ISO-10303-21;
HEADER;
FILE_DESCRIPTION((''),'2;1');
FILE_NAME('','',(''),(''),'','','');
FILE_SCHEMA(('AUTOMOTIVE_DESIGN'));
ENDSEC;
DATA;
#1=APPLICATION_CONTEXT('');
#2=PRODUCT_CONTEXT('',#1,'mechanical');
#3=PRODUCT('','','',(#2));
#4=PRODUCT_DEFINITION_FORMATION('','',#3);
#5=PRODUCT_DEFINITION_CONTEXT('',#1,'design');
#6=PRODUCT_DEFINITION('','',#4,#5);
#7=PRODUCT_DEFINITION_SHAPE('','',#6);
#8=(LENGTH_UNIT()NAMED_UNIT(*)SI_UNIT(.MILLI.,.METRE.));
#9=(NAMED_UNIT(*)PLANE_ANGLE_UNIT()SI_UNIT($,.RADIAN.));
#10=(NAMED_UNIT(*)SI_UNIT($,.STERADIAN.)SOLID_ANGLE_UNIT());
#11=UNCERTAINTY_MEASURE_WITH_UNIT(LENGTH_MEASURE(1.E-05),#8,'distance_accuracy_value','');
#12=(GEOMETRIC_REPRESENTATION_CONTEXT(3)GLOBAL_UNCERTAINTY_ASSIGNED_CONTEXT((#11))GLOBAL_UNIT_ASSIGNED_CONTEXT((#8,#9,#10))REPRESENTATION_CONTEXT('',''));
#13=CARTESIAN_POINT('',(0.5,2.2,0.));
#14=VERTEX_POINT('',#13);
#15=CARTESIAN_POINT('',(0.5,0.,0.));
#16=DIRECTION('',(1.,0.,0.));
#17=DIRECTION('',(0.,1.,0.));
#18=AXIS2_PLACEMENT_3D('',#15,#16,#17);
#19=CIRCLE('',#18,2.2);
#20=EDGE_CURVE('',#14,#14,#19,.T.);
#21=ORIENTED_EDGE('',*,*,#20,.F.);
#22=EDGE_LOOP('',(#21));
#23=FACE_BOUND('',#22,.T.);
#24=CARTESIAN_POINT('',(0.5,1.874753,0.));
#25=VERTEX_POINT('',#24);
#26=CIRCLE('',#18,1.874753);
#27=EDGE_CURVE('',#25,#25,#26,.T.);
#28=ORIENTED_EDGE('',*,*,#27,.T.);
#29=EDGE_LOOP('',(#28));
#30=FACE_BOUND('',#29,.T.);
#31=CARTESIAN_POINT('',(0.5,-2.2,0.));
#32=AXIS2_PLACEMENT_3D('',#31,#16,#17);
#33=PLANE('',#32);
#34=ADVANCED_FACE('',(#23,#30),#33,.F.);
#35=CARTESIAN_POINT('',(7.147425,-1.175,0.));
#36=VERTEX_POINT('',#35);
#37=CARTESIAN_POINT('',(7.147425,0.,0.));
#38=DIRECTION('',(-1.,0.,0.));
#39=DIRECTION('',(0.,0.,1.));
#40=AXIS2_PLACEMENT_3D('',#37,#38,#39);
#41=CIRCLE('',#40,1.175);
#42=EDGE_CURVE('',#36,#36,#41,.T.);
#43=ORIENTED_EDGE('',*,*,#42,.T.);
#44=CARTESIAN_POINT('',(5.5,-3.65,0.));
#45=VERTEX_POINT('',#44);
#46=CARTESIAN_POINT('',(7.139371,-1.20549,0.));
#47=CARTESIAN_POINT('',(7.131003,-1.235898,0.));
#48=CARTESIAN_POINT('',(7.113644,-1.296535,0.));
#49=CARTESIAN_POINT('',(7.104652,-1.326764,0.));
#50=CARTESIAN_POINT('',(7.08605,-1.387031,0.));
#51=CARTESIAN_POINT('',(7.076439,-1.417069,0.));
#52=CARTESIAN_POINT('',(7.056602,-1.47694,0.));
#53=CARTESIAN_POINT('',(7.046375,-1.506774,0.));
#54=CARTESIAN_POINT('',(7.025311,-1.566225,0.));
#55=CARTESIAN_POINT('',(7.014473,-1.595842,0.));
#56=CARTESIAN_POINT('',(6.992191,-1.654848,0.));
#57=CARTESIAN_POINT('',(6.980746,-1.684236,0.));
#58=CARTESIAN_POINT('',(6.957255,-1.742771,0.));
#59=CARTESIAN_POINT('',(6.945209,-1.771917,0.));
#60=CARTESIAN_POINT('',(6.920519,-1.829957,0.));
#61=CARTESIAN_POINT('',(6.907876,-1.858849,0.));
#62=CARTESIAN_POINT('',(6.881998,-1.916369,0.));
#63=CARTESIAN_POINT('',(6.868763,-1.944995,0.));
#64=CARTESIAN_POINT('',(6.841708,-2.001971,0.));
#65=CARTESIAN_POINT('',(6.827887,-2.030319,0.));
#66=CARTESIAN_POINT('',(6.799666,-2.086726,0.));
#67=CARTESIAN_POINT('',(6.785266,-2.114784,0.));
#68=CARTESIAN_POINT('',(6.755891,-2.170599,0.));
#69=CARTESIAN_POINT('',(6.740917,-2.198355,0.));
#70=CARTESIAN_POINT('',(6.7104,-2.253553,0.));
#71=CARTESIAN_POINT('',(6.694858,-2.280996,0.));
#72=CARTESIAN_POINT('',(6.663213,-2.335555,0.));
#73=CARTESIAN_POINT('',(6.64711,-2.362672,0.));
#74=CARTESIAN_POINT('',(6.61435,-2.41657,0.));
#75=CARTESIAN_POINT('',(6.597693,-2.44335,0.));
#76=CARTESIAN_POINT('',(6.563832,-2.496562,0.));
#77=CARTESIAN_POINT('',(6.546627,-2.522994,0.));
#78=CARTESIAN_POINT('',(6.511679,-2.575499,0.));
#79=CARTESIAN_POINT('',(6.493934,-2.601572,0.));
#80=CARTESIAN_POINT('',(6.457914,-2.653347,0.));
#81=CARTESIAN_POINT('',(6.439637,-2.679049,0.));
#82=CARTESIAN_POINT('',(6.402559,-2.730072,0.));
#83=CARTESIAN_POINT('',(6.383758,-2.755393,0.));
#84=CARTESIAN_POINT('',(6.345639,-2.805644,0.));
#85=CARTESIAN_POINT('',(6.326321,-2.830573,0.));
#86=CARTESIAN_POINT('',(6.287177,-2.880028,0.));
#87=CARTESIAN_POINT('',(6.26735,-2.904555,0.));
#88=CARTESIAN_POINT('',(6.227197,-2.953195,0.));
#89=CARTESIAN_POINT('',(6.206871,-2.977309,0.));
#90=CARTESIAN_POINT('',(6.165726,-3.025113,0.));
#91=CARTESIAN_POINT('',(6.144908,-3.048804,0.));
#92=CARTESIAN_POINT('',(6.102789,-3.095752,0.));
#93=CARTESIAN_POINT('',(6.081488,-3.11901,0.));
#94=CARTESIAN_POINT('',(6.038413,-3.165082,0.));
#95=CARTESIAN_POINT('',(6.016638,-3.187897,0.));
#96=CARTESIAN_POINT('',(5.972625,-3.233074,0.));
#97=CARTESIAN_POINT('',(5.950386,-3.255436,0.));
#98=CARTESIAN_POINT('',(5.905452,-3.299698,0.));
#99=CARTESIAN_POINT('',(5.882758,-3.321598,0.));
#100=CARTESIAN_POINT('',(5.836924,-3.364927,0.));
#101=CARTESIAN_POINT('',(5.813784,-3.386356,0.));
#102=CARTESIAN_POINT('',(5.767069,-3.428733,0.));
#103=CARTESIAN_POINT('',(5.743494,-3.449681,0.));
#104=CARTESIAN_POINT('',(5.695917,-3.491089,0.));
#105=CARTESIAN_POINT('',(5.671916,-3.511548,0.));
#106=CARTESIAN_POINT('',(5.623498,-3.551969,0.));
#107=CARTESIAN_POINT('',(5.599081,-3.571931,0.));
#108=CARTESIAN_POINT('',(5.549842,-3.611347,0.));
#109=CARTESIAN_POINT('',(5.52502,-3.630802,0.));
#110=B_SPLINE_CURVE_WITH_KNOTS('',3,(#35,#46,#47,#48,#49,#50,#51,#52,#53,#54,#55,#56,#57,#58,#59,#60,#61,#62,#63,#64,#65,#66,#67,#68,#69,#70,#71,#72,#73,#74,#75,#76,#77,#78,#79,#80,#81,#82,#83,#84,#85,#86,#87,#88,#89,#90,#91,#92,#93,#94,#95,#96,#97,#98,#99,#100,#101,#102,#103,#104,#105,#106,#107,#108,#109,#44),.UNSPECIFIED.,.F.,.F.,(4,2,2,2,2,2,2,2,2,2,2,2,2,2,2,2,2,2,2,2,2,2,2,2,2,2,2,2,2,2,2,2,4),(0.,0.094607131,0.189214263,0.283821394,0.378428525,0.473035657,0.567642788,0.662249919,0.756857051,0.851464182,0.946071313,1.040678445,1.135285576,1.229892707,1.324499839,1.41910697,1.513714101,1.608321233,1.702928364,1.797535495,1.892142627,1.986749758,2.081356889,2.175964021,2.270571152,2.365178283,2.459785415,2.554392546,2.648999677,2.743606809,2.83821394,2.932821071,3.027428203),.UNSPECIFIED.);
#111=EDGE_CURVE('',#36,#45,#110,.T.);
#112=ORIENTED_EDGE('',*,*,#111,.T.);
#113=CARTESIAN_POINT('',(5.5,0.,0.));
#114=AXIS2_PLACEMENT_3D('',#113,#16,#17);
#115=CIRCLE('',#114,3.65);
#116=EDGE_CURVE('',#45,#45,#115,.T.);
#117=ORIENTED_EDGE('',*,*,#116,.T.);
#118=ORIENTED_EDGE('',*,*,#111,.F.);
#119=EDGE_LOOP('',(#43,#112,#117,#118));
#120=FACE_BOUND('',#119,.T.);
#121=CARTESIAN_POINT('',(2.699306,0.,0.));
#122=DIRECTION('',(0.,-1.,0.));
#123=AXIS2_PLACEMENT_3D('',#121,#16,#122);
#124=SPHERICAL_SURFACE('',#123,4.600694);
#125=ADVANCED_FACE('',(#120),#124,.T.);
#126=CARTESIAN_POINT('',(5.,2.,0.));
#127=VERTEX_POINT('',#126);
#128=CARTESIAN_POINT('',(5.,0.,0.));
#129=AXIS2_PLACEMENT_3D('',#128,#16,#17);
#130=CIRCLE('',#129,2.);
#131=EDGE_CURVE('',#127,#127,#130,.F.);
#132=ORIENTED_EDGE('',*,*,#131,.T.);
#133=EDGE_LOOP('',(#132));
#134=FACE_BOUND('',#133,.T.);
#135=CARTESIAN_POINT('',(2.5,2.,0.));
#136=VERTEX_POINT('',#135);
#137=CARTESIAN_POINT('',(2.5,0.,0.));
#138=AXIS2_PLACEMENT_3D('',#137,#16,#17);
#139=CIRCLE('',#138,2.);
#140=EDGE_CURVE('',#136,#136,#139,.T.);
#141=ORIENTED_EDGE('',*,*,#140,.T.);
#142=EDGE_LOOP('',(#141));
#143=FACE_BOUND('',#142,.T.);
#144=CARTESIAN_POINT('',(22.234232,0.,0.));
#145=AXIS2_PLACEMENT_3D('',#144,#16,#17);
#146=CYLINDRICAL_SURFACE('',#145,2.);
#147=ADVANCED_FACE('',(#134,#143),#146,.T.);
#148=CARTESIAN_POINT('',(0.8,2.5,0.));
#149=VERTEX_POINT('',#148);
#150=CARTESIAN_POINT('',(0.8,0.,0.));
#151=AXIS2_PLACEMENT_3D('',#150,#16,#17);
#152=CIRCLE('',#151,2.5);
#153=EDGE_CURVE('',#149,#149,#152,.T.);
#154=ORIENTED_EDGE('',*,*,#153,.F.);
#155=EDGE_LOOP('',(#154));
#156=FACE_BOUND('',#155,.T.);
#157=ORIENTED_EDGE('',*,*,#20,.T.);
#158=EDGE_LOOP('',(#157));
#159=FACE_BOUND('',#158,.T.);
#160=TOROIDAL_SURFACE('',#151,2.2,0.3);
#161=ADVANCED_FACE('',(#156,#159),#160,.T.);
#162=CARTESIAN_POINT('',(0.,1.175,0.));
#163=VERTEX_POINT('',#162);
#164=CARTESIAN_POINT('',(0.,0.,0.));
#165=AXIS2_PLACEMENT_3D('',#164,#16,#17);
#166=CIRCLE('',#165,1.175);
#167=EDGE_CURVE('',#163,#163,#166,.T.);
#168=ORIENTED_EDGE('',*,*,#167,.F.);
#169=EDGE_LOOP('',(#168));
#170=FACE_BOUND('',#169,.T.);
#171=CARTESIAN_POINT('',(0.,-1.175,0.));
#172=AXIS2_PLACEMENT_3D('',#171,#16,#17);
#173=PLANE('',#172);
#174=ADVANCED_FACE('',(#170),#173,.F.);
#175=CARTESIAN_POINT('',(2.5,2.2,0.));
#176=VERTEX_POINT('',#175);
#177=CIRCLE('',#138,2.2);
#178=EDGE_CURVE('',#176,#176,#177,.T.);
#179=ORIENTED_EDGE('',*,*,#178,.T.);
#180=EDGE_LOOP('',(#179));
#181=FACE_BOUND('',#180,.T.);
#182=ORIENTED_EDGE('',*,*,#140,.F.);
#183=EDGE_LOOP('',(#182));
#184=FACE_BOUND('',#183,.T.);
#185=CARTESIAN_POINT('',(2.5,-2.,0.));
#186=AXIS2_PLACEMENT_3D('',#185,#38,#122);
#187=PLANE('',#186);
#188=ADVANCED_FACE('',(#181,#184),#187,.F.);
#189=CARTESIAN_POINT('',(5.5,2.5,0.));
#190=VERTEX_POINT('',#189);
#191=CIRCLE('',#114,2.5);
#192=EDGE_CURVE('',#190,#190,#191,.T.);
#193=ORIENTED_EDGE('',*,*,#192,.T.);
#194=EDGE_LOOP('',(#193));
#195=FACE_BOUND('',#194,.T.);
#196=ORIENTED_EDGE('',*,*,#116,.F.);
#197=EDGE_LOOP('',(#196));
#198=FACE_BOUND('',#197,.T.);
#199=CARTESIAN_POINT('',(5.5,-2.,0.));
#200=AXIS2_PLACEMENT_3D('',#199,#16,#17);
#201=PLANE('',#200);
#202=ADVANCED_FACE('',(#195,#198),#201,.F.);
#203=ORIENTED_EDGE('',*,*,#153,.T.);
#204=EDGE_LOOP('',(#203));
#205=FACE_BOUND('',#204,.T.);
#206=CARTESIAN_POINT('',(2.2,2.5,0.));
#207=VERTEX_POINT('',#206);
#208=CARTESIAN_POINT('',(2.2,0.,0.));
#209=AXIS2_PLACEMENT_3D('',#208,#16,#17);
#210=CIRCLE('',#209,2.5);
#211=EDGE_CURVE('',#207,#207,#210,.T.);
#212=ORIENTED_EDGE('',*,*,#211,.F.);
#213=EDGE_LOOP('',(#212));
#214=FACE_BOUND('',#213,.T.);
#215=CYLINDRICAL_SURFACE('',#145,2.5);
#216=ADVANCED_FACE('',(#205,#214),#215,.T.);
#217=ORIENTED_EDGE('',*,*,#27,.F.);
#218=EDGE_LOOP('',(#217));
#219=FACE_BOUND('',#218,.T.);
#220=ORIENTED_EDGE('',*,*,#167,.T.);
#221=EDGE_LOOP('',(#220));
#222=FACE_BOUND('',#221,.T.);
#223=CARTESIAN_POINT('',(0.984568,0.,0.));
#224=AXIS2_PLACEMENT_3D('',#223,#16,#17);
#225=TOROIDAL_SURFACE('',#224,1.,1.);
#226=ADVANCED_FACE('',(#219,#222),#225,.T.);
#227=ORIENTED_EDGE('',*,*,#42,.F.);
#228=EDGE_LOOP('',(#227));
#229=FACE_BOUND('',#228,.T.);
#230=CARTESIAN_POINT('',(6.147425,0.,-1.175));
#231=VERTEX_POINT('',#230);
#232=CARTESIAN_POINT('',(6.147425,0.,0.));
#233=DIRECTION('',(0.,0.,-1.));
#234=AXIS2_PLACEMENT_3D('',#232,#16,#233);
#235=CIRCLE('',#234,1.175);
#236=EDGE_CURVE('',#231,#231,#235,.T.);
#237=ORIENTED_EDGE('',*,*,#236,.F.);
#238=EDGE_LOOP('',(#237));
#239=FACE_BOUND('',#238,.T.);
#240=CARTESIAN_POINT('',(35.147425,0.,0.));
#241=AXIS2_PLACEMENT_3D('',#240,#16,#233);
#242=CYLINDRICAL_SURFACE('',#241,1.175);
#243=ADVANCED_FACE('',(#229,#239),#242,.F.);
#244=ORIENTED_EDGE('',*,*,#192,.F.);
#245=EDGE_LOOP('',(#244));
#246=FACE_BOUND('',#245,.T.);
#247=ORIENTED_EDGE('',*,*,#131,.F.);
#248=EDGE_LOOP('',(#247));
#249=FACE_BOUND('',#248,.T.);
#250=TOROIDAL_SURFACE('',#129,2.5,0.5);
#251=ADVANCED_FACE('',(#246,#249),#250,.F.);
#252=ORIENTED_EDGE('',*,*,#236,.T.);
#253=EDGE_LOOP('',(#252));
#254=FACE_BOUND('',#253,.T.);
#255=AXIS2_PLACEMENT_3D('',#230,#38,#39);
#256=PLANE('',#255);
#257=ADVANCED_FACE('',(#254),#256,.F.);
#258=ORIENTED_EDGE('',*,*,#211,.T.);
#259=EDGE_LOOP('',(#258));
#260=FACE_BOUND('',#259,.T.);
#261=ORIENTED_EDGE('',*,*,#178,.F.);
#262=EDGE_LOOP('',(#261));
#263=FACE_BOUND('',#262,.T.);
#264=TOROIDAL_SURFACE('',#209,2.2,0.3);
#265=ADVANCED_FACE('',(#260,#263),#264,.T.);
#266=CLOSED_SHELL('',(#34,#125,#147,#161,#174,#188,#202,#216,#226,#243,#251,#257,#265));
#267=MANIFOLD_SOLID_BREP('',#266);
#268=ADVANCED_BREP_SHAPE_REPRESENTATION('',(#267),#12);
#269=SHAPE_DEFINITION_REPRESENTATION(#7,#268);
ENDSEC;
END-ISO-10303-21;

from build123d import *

# Parameters (mm, degrees)
FILLET1_R      = 0.5
CHAMFER1_SIZE  = 2.35
CHAMFER1_SIZE2 = 0.629680602
SKETCH_1_W     = 29
SKETCH_1_H     = 1.175


with BuildPart() as part:
    # Sketch1 → Base-Revolve (revolve)
    with BuildSketch(Plane(origin=(-11.603452862, 14.723452862, 0), x_dir=(0, -1, 0), z_dir=(0, 0, 1)), mode=Mode.PRIVATE) as base_revolve_sk:
        with BuildLine():
            Line((16.923452862, 12.103452862), (16.598206218, 12.103452862))
            ThreePointArc((16.598206218, 12.103452862), (16.304826689, 11.774384722), (15.898452862, 11.603452862))
            Line((15.898452862, 11.603452862), (14.723452862, 11.603452862))
            Line((14.723452862, 11.603452862), (14.723452862, 46.750877613))
            Line((14.723452862, 46.750877613), (15.898452862, 46.750877613))
            Line((15.898452862, 46.750877613), (15.898452862, 18.750877613))
            ThreePointArc((15.898452862, 18.750877613), (17.272699482, 18.132605809), (18.373452862, 17.103452862))
            Line((18.373452862, 17.103452862), (16.723452862, 17.103452862))
            Line((16.723452862, 17.103452862), (16.723452862, 14.103452862))
            Line((16.723452862, 14.103452862), (16.923452862, 14.103452862))
            ThreePointArc((16.923452862, 14.103452862), (17.135584897, 14.015584897), (17.223452862, 13.803452862))
            Line((17.223452862, 13.803452862), (17.223452862, 12.403452862))
            ThreePointArc((17.223452862, 12.403452862), (17.135584897, 12.191320828), (16.923452862, 12.103452862))
        make_face()
    revolve(base_revolve_sk.sketch.rotate(Axis((22.234231882, 0, 0), (-1, 0, 0)), 180), axis=Axis((22.234231882, 0, 0), (-1, 0, 0)))

    # Fillet1
    fillet1_edges = [part.edges().sort_by_distance(p)[0] for p in [
        (5.5, -2, 0),
    ]]
    fillet(fillet1_edges, radius=FILLET1_R)

    # Chamfer1
    chamfer1_edges = [part.edges().sort_by_distance(p)[0] for p in [
        (35.14742475, -1.175, 0),
    ]]
    chamfer1_side = [part.faces().sort_by_distance(p)[0] for p in [
        (21.14742475, -1.175, 0),
    ]]
    chamfer(chamfer1_edges, length=CHAMFER1_SIZE, length2=CHAMFER1_SIZE2, reference=chamfer1_side[0])

    # Эскиз1 → Вырез-Повернуть1 (revolve, cut)
    with BuildSketch(Plane(origin=(0, 0, 0), x_dir=(1, 0, 0), z_dir=(0, 1, 0))):
        with Locations((20.64742475, 0.5875)):
            Rectangle(SKETCH_1_W, SKETCH_1_H)
    revolve(axis=Axis((35.14742475, 0, 0), (-1, 0, 0)), mode=Mode.SUBTRACT)


solid = part.part
